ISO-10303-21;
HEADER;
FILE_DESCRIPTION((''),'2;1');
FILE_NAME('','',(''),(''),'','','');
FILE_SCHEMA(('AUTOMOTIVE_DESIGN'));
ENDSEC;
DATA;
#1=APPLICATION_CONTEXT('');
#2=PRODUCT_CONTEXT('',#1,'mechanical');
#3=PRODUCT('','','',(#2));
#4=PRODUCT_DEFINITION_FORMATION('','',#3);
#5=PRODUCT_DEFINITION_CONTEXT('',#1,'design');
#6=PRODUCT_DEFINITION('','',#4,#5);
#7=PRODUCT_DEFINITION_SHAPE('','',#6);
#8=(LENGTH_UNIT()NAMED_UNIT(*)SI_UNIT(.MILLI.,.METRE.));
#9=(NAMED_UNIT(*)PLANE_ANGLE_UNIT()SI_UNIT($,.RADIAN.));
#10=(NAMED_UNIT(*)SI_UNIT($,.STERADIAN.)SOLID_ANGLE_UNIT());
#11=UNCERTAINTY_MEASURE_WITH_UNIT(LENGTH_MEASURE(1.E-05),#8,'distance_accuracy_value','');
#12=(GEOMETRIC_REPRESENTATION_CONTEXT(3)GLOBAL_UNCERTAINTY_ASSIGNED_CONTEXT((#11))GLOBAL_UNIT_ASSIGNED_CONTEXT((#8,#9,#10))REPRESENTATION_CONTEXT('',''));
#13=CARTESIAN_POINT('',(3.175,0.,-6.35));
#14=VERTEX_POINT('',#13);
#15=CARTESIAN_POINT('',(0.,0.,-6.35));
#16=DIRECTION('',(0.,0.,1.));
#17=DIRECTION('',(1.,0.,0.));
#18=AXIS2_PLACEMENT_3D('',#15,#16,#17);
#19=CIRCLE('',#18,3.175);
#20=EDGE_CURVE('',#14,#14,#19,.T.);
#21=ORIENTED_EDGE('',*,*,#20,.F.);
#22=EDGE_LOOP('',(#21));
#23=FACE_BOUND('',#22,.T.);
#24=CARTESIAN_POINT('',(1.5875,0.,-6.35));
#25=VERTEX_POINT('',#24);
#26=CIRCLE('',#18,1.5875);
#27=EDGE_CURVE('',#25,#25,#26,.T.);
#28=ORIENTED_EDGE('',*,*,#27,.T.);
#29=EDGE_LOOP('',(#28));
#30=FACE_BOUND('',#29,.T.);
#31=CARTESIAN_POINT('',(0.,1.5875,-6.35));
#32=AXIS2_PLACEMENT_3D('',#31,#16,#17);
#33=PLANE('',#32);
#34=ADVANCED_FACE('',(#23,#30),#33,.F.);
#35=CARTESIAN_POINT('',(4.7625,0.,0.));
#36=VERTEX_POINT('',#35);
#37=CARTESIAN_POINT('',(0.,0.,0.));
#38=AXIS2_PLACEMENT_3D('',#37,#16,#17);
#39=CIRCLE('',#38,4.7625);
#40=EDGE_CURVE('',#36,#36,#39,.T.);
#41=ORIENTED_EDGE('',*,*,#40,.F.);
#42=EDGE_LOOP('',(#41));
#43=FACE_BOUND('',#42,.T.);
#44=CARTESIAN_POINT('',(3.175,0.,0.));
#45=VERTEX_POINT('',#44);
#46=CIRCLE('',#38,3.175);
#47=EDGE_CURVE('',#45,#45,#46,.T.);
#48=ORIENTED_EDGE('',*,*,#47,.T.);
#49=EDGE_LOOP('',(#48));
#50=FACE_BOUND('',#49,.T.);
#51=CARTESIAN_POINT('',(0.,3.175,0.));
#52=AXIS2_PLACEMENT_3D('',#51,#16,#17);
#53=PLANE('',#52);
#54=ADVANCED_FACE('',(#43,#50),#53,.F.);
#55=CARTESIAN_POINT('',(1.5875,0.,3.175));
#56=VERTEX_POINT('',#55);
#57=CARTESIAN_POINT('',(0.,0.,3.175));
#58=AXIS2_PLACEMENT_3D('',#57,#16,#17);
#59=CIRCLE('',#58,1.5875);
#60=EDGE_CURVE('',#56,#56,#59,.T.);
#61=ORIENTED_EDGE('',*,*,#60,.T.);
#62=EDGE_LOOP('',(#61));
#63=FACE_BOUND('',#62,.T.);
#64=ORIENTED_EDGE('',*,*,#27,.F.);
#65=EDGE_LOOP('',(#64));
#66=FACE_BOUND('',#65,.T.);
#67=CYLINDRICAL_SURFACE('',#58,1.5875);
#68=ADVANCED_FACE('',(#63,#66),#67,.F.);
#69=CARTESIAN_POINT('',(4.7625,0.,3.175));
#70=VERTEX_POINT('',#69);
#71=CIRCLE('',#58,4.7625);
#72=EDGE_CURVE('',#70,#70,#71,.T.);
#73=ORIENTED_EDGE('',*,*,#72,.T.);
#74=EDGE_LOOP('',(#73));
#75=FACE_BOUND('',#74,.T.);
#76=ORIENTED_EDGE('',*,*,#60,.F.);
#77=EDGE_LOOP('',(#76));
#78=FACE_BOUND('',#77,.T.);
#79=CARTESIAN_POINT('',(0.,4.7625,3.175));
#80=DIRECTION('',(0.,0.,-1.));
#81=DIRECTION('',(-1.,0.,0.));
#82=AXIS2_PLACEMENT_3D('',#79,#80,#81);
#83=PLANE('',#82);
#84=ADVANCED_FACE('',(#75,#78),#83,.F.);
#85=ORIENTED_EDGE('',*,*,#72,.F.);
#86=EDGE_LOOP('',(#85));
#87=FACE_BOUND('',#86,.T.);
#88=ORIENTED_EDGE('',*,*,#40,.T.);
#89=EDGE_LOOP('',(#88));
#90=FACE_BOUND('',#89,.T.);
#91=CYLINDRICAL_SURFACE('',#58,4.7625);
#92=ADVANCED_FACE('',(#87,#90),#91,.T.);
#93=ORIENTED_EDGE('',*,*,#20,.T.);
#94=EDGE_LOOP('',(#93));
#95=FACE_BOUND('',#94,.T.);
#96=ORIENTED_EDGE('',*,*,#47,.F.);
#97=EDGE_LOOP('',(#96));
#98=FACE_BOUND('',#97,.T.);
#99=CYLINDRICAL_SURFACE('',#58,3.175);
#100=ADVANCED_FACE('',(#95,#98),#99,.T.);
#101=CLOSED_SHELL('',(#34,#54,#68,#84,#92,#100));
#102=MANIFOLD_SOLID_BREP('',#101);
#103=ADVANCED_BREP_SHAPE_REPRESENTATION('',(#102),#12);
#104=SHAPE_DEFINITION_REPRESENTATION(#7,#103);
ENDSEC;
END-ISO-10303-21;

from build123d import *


with BuildPart() as part:
    # Sketch2 → Revolve1 (revolve)
    with BuildSketch(Plane(origin=(0, 0, 0), x_dir=(0, 0, -1), z_dir=(1, 0, 0)), mode=Mode.PRIVATE) as revolve1_sk:
        Polygon((-3.175, 1.5875), (6.35, 1.5875), (6.35, 3.175), (0, 3.175), (0, 4.7625), (-3.175, 4.7625), align=None)
    revolve(revolve1_sk.sketch.rotate(Axis((0, 0, 3.175), (0, 0, -1)), 90), axis=Axis((0, 0, 3.175), (0, 0, -1)))


solid = part.part
